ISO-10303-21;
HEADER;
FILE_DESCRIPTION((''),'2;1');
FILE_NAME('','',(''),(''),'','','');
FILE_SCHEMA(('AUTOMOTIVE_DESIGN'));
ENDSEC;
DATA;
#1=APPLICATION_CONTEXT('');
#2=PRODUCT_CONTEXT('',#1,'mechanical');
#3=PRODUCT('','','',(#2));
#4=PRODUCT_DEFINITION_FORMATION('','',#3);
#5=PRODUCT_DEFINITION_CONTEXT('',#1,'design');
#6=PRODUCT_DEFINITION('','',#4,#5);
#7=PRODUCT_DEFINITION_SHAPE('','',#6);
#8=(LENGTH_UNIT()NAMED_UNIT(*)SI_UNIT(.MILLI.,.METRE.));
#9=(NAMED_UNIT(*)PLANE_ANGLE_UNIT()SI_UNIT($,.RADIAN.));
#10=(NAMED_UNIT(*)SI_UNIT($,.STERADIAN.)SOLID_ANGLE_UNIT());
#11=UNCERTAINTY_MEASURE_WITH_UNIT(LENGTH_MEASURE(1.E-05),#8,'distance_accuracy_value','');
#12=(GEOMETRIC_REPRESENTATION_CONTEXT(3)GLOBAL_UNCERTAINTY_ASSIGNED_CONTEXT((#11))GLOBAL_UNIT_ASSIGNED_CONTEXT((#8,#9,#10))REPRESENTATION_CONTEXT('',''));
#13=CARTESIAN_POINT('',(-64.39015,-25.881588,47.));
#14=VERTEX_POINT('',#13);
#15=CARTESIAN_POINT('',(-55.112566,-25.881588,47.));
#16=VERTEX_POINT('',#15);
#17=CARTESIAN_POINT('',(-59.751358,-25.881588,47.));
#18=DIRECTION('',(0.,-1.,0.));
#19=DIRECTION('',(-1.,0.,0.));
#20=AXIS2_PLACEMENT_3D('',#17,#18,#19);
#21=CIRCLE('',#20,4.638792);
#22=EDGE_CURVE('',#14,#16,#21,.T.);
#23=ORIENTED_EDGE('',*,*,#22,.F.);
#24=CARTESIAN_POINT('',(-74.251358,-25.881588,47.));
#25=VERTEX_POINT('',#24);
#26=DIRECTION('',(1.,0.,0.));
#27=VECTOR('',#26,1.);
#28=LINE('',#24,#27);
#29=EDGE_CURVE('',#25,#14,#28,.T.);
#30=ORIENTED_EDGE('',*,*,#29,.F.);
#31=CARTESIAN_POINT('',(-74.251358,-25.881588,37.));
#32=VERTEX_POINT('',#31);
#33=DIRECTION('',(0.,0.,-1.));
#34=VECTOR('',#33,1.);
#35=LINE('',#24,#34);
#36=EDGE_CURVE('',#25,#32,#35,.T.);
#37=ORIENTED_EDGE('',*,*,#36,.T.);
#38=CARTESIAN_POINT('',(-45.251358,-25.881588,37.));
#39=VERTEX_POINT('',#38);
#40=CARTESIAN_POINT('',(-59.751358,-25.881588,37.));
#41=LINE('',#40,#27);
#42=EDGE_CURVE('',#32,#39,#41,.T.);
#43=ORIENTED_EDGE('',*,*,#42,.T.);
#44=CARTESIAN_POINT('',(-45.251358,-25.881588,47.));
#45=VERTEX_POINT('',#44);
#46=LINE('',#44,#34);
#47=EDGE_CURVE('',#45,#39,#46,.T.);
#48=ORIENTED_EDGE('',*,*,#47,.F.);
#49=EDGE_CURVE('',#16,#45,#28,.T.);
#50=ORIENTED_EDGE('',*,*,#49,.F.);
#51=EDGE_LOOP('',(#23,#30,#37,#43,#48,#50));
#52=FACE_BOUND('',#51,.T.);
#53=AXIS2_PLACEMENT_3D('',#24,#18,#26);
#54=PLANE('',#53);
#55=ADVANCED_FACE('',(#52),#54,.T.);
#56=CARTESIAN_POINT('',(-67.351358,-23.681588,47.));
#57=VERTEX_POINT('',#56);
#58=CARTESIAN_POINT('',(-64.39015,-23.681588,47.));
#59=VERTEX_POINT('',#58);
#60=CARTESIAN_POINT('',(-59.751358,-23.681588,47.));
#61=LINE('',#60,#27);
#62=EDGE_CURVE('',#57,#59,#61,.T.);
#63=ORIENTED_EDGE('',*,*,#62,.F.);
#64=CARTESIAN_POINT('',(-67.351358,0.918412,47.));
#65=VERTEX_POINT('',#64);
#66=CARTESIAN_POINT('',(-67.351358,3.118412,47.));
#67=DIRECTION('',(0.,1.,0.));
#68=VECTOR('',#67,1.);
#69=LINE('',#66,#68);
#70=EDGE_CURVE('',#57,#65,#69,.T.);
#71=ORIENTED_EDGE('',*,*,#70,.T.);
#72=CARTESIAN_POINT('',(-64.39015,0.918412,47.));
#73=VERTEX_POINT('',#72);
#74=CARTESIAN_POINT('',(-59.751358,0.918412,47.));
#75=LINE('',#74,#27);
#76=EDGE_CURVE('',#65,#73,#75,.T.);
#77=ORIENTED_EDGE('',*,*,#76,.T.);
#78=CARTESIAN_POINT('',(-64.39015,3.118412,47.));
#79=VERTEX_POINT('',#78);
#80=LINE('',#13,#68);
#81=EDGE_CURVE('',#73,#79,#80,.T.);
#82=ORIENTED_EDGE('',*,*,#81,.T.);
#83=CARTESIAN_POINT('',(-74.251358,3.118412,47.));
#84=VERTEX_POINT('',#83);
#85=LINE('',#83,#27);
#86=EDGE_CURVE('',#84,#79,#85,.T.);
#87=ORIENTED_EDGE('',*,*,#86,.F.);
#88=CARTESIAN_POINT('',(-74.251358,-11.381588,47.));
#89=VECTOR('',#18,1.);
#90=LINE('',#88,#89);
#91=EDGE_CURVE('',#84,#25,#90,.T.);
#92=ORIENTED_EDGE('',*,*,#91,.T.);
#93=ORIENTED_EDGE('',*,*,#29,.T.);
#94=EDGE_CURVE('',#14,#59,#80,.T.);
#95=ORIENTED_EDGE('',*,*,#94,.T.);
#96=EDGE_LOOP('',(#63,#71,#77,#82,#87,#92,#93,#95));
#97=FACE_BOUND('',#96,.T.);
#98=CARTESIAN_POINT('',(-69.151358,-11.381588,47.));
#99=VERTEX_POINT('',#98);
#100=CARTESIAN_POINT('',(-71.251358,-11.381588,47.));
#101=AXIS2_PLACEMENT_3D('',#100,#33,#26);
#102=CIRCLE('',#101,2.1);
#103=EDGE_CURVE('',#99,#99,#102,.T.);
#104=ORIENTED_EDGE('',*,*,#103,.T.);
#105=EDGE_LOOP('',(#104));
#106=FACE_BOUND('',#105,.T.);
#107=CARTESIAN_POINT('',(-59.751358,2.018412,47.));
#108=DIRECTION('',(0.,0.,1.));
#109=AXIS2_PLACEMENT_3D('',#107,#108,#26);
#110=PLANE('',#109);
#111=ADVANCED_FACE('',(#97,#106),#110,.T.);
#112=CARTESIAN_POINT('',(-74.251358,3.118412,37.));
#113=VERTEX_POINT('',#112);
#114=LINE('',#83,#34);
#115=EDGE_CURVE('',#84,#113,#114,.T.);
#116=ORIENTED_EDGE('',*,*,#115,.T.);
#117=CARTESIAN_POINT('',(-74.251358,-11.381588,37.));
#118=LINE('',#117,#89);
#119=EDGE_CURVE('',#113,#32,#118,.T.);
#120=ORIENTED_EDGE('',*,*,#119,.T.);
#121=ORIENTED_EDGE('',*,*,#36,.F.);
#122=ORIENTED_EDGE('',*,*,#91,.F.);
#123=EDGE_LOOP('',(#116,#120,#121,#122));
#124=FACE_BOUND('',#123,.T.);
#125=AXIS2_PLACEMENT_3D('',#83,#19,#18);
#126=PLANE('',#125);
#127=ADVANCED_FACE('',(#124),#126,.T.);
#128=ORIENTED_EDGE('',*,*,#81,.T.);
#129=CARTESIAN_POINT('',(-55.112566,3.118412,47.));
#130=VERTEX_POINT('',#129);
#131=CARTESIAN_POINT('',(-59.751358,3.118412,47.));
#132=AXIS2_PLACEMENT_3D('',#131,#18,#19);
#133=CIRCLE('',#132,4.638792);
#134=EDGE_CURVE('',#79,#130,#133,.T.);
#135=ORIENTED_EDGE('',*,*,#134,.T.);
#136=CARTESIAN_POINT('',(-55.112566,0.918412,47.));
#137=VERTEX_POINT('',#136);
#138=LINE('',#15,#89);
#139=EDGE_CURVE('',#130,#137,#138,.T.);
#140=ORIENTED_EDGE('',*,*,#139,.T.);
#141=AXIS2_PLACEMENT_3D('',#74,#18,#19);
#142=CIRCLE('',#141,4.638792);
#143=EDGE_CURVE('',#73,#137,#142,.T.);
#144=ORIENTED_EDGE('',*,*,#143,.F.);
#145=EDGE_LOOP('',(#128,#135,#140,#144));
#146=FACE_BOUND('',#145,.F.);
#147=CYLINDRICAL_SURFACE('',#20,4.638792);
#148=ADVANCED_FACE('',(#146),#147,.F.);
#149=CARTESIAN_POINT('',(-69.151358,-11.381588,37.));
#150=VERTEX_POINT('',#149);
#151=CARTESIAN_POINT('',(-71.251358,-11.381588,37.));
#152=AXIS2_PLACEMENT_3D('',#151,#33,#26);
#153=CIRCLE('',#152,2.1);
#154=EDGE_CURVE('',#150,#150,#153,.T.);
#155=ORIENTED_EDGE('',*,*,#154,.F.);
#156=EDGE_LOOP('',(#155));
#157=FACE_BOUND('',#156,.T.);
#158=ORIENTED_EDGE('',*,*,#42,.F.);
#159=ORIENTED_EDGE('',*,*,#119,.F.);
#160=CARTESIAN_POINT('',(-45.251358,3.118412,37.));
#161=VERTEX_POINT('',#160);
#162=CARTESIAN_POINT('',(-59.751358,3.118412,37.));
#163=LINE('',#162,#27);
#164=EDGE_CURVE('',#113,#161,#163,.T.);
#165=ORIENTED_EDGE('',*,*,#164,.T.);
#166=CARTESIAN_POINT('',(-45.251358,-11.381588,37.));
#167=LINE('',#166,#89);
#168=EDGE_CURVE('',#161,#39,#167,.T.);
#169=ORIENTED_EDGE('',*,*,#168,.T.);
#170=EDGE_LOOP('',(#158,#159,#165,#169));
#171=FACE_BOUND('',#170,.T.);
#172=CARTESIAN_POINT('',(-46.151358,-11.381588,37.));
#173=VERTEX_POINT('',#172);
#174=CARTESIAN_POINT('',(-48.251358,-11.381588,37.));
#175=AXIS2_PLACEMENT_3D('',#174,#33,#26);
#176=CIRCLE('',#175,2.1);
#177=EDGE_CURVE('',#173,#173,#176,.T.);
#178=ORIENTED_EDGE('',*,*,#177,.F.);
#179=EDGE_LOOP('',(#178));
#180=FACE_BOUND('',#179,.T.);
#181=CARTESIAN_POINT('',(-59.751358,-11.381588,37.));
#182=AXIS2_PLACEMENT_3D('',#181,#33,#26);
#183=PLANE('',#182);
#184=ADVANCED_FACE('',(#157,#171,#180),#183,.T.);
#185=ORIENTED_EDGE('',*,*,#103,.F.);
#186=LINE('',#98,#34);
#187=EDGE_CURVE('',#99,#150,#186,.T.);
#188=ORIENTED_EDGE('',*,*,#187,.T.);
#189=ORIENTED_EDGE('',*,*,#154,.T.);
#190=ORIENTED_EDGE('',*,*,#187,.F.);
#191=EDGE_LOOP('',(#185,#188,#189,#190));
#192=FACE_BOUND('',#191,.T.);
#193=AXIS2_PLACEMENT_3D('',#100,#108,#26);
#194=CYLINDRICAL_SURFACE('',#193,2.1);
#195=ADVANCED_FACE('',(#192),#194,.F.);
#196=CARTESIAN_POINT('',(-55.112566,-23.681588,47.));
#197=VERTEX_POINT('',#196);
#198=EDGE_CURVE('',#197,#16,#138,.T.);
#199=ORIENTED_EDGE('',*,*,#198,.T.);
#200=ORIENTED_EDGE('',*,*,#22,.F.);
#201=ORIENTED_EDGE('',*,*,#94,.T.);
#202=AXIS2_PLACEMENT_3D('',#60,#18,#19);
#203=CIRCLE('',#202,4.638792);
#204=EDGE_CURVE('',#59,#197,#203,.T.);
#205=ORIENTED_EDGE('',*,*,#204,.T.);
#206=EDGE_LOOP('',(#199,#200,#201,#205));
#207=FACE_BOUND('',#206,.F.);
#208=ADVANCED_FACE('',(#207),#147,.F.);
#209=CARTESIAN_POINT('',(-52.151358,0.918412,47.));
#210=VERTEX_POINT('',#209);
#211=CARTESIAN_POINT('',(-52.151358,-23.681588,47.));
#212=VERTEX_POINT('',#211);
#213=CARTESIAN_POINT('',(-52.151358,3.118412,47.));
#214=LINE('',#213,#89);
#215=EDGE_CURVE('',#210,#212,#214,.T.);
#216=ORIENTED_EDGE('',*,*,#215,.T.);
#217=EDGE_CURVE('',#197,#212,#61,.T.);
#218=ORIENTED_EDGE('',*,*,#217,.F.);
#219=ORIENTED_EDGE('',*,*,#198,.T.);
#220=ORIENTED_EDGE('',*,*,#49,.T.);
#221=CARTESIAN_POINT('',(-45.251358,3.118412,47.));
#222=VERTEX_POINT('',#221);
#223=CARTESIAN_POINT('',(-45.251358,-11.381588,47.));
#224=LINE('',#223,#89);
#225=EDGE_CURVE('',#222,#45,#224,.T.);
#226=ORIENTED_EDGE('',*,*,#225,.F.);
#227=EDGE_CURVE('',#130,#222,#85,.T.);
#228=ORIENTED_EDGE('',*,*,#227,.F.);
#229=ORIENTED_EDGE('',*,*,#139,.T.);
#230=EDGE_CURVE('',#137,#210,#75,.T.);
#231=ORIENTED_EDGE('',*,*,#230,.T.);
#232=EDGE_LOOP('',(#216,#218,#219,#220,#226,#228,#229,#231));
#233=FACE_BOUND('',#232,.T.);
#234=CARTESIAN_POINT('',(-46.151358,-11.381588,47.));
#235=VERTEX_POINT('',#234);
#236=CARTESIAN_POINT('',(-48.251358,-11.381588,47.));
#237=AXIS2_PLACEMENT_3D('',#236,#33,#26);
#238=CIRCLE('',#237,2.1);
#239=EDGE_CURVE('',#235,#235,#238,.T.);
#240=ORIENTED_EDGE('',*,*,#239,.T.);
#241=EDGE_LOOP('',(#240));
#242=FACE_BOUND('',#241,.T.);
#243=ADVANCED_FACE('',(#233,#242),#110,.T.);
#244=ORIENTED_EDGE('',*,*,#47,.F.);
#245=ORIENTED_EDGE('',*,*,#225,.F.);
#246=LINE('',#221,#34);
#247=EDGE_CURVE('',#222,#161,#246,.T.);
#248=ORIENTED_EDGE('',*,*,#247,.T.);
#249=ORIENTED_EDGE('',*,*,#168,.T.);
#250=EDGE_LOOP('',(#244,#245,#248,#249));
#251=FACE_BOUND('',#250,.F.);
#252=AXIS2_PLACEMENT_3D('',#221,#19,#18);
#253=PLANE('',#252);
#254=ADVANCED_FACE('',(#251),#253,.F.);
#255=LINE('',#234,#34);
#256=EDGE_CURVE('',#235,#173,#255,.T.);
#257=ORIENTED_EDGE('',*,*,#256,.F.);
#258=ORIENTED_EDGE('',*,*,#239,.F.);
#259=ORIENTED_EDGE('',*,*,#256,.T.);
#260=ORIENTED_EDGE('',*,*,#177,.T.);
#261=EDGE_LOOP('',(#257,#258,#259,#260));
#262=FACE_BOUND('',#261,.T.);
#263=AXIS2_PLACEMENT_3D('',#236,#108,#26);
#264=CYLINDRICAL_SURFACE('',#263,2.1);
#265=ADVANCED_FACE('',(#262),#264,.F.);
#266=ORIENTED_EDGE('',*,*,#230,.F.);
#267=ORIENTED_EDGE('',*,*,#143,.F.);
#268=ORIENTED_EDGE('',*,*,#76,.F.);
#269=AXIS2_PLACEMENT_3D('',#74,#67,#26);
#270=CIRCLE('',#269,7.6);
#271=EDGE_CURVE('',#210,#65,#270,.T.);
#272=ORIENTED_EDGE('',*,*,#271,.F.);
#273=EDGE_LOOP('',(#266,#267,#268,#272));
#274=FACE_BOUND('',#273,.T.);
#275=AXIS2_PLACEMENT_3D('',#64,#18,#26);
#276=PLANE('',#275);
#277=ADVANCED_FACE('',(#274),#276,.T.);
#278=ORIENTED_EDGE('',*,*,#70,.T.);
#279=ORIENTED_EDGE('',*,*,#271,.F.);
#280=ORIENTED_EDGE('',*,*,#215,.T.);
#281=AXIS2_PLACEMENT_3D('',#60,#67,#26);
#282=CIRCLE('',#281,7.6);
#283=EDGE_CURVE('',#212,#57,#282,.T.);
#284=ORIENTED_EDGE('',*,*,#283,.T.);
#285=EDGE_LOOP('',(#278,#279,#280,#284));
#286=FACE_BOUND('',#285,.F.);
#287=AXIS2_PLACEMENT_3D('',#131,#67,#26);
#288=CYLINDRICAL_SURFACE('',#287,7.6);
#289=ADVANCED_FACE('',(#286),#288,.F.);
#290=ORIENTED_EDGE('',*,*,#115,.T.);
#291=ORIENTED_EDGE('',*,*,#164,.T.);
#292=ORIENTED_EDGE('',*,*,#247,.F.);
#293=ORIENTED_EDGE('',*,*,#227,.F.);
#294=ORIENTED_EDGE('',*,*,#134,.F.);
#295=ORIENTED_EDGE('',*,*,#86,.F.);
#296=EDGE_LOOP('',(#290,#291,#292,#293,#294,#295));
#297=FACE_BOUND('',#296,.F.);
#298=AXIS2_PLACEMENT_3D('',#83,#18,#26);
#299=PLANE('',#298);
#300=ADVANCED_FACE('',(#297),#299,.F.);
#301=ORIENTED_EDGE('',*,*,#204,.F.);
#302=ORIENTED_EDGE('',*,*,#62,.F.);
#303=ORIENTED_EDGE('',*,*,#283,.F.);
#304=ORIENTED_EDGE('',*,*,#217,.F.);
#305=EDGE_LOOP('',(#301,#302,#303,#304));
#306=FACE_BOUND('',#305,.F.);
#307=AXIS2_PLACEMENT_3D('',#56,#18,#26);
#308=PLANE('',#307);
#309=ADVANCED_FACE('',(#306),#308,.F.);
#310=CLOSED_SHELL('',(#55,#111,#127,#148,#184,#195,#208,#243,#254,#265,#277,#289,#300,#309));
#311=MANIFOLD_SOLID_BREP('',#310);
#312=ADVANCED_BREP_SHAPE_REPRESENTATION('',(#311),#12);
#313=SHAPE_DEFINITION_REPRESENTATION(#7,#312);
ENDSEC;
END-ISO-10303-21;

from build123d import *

# Parameters (mm, degrees)
SKETCH_W        = 29
SKETCH_H        = 29
SKETCH_R        = 2.1
PAD_DEPTH       = 10
SKETCH001_R     = 7.6
POCKET_DEPTH    = 35
SKETCH002_W     = 15.2
SKETCH002_H     = 2.2
PAD001_DEPTH    = 9
SKETCH003_R     = 4.638792
POCKET001_DEPTH = 35


with BuildPart() as part:
    # Sketch → Pad (new body)
    with BuildSketch(Plane(origin=(-33.3, -30, 47), x_dir=(1, 0, 0), z_dir=(0, 0, -1))):
        with Locations((-26.451358, -18.618412)):
            Rectangle(SKETCH_W, SKETCH_H)
        with Locations((-37.951358, -18.618412)):
            Circle(SKETCH_R, mode=Mode.SUBTRACT)
        with Locations((-14.951358, -18.618412)):
            Circle(SKETCH_R, mode=Mode.SUBTRACT)
    extrude(amount=PAD_DEPTH)

    # Sketch001 → Pocket (cut)
    with BuildSketch(Plane(origin=(-33.3, 3.118412, 47), x_dir=(1, 0, 0), z_dir=(0, 1, 0))):
        with Locations((-26.451358, 0)):
            Circle(SKETCH001_R)
    extrude(amount=-POCKET_DEPTH, mode=Mode.SUBTRACT)

    # Sketch002 → Pad001 (new body)
    with BuildSketch(Plane(origin=(-33.3, -30, 47), x_dir=(1, 0, 0), z_dir=(0, 0, 1))):
        with Locations((-26.451358, 32.018412)):
            Rectangle(SKETCH002_W, SKETCH002_H)
        with Locations((-26.451358, 5.218412)):
            Rectangle(SKETCH002_W, SKETCH002_H)
    extrude(amount=-PAD001_DEPTH)

    # Sketch003 → Pocket001 (cut)
    with BuildSketch(Plane(origin=(-33.3, -25.881588, 47), x_dir=(-1, 0, 0), z_dir=(0, -1, 0))):
        with Locations((26.451358, 0)):
            Circle(SKETCH003_R)
    extrude(amount=-POCKET001_DEPTH, mode=Mode.SUBTRACT)


solid = part.part
